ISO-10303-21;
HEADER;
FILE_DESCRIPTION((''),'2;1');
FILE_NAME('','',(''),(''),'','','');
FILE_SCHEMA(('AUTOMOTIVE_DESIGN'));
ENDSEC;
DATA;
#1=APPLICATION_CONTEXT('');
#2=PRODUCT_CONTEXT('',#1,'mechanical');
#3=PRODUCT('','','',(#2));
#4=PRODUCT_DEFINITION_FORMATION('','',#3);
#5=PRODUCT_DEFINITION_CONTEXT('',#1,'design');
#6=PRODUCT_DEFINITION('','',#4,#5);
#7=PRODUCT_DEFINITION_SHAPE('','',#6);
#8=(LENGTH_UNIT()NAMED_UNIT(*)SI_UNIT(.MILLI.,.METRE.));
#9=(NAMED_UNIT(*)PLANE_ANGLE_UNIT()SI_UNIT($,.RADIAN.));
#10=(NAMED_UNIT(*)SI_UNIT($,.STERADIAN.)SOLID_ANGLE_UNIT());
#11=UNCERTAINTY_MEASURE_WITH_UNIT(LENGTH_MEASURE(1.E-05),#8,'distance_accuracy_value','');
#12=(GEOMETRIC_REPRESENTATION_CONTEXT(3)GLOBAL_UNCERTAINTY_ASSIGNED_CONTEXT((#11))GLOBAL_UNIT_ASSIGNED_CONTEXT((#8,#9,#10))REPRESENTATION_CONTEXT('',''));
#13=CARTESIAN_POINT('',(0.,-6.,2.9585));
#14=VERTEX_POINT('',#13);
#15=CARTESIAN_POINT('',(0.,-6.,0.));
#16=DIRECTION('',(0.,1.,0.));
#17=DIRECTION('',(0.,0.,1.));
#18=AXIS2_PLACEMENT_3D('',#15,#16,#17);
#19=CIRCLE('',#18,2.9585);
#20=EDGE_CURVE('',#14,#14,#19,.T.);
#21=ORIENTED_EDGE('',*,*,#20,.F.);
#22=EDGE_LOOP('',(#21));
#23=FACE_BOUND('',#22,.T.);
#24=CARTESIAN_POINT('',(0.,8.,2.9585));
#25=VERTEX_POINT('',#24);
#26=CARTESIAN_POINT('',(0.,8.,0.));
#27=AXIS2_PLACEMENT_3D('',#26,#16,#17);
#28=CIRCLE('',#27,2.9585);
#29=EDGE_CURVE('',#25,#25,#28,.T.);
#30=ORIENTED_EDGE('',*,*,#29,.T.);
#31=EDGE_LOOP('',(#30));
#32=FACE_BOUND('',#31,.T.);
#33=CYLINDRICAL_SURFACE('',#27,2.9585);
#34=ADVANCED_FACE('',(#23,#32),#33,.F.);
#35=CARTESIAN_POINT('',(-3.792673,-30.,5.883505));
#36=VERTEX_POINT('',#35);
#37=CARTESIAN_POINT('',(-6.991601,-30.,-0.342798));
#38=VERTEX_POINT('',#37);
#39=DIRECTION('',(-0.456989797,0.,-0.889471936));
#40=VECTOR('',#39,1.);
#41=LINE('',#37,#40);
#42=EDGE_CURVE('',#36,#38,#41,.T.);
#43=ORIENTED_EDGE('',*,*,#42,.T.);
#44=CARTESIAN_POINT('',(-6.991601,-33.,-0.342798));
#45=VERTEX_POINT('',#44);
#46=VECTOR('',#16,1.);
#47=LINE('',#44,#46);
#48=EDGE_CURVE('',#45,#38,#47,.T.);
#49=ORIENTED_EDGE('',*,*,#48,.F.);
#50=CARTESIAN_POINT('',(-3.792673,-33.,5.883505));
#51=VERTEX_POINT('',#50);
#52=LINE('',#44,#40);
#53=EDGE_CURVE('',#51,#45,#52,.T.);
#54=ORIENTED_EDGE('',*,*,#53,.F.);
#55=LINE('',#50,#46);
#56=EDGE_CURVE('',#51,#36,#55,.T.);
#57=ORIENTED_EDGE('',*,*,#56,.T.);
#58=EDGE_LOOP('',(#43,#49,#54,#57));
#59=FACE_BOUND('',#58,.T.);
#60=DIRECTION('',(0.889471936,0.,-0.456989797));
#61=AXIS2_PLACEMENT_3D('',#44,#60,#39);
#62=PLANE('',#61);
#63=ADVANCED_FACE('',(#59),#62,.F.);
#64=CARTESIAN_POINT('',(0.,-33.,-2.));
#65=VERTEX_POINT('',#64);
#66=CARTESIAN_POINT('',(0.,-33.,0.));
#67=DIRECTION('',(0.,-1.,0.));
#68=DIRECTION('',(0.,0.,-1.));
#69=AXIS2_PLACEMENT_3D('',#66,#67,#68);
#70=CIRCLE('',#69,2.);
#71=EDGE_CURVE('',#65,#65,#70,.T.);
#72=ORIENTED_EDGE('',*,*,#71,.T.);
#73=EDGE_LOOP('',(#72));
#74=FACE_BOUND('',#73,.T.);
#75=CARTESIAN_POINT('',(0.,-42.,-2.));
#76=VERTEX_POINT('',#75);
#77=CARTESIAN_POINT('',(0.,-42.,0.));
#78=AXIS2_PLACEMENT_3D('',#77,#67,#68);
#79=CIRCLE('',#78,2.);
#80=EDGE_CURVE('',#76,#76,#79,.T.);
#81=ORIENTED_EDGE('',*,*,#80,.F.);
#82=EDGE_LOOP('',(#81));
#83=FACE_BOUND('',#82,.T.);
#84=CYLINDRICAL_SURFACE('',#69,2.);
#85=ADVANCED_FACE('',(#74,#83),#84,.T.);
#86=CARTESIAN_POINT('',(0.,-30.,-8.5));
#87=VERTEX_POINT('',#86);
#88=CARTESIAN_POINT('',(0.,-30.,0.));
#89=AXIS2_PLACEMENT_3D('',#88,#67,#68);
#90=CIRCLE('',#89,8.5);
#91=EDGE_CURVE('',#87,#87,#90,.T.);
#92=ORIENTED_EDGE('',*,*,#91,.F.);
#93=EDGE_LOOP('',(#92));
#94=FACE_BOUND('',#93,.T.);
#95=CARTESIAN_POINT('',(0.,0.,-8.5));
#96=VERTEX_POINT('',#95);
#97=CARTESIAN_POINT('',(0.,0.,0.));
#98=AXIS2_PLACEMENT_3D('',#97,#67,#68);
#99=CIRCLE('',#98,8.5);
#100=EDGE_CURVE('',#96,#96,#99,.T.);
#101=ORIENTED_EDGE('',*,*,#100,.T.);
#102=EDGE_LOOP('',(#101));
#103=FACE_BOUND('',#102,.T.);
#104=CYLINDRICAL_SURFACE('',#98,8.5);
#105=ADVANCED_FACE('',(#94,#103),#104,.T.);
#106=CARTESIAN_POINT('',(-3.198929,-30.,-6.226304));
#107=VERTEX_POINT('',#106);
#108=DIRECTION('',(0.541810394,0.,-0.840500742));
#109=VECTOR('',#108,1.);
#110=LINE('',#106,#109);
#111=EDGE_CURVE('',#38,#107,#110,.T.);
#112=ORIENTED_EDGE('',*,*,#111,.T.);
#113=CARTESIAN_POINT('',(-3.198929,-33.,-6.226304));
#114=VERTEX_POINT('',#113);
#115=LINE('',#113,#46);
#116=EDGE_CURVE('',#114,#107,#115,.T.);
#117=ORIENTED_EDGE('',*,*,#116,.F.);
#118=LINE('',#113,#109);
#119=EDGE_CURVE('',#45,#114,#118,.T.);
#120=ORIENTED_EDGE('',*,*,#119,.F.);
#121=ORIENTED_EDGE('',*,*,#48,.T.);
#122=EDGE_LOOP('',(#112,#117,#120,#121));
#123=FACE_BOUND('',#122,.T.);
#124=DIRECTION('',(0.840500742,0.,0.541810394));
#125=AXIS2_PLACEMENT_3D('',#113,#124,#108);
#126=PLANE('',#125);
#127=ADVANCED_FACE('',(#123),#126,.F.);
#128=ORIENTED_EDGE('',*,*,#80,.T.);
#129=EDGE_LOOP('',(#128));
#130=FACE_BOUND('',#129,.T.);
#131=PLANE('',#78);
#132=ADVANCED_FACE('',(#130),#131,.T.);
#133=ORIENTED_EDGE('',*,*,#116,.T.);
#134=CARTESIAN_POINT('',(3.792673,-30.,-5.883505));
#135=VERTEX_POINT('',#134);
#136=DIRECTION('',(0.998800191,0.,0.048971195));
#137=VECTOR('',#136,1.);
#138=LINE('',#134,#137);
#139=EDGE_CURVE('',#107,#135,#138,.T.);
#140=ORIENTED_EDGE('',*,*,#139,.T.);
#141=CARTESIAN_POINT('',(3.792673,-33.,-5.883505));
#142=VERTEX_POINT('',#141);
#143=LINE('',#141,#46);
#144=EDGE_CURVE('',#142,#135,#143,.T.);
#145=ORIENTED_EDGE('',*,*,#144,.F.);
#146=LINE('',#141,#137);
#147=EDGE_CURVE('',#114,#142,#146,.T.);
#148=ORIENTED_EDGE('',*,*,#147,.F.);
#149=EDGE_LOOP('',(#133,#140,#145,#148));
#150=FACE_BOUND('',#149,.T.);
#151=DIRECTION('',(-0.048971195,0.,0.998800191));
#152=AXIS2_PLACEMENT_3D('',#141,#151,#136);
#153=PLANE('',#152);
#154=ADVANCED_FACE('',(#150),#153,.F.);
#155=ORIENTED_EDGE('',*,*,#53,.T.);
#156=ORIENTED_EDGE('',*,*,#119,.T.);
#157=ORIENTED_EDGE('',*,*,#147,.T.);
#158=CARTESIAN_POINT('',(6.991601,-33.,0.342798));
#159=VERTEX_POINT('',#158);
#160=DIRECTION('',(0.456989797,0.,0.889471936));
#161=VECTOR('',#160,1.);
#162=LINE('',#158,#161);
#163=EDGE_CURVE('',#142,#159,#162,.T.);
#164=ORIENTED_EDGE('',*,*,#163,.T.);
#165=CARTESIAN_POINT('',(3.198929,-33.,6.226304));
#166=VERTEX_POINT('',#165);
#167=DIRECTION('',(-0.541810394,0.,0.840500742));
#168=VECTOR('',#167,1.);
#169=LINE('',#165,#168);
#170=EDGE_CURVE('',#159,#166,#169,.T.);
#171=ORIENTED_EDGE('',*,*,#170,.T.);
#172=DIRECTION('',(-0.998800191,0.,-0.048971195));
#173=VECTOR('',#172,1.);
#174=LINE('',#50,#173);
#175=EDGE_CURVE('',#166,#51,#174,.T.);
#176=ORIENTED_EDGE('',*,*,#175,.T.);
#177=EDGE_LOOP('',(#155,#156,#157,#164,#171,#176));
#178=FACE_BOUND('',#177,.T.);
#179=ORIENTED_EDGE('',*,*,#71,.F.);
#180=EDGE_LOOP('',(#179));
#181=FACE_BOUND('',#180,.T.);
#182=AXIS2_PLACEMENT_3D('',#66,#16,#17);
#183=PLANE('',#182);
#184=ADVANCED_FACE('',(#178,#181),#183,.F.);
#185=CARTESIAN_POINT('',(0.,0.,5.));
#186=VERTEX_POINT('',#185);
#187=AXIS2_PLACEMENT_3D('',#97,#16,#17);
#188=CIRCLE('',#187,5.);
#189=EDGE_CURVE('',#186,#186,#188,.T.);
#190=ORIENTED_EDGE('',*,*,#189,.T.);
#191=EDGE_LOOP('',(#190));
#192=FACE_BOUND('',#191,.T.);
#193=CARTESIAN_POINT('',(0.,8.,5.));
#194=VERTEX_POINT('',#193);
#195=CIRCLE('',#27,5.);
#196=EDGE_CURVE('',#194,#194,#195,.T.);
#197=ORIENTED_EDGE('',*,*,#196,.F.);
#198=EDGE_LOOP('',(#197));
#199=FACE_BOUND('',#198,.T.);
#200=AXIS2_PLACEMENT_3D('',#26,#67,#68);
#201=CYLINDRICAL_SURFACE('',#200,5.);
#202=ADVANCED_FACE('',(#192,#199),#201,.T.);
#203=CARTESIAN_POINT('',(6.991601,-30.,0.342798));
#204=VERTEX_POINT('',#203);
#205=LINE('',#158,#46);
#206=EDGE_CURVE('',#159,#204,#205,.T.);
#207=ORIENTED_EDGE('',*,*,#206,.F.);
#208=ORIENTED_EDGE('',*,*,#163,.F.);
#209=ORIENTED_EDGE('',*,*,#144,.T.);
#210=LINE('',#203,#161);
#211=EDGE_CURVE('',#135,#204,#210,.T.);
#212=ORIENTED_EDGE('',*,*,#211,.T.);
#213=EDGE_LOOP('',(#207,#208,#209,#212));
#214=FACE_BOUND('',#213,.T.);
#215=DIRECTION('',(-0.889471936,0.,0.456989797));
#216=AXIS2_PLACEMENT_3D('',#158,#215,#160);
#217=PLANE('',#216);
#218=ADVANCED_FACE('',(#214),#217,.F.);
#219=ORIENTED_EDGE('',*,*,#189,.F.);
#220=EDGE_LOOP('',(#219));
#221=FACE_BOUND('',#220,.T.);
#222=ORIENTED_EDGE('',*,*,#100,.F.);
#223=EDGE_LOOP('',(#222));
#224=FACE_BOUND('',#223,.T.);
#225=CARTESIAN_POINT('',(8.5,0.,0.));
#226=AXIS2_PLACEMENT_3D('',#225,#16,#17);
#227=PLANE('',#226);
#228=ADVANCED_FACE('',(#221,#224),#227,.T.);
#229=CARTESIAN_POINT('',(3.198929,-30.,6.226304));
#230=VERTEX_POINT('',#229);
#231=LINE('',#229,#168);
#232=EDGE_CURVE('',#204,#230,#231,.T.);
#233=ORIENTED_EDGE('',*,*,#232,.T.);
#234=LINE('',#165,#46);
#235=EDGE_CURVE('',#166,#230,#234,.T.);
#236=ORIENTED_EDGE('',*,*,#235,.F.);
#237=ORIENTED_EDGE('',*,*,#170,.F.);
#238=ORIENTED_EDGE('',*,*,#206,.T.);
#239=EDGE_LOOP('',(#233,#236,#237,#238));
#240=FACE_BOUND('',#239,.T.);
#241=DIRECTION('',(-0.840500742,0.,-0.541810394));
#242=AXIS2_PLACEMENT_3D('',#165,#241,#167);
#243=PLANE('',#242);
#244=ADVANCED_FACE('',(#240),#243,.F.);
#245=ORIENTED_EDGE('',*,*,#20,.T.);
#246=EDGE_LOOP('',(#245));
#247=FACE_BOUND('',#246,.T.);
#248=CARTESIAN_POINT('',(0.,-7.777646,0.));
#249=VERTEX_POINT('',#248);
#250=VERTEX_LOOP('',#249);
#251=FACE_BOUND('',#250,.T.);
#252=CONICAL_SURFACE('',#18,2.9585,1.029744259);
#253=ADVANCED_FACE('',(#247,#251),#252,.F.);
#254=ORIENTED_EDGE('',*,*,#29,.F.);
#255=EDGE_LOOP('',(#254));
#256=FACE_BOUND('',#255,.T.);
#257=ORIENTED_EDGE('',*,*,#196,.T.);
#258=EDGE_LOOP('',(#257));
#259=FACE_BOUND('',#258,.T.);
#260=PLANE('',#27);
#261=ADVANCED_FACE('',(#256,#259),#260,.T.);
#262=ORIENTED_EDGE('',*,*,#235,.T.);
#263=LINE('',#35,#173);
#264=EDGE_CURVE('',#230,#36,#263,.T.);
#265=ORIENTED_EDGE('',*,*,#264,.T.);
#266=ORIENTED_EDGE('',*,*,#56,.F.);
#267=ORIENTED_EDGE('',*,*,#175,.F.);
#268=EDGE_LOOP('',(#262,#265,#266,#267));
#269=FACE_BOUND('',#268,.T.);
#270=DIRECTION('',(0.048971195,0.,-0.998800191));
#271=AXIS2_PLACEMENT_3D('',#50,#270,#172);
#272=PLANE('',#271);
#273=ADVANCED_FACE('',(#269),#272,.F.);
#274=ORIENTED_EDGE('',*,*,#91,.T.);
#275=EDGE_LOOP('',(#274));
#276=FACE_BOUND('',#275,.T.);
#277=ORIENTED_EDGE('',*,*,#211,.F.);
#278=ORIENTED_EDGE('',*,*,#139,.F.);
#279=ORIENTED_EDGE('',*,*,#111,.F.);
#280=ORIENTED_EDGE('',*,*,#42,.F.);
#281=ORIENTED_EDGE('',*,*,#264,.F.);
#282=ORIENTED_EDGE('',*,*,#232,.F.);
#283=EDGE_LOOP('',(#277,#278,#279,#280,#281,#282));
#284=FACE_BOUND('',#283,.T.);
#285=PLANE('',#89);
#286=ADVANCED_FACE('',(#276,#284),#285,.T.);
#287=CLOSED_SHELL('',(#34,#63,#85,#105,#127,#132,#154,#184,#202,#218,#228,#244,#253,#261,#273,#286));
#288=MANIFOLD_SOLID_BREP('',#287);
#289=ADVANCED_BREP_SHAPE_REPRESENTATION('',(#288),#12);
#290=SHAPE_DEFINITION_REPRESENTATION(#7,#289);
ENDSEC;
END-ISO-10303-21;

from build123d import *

# Parameters (mm, degrees)
SKETCH1_W           = 8.5
SKETCH1_H           = 30
BOSS_EXTRUDE1_DEPTH = 3
SKETCH3_R           = 5
BOSS_EXTRUDE2_DEPTH = 8
SKETCH4_W           = 2
SKETCH4_H           = 9
HOLE1_D             = 5.917
HOLE1_DEPTH         = 14
HOLE1_TIP           = 1.777646141


with BuildPart() as part:
    # Sketch1 → Revolve1 (revolve)
    with BuildSketch(Plane.XY):
        with Locations((4.25, -15)):
            Rectangle(SKETCH1_W, SKETCH1_H)
    revolve(axis=Axis((0, 0, 0), (0, -1, 0)))

    # Sketch2 → Boss-Extrude1 (add)
    with BuildSketch(Plane.XZ.offset(30)):
        Polygon((-3.79267276, 5.883505191), (3.198928579, 6.226303554), (6.991601339, 0.342798363), (3.79267276, -5.883505191), (-3.198928579, -6.226303554), (-6.991601339, -0.342798363), align=None)
    extrude(amount=BOSS_EXTRUDE1_DEPTH)

    # Sketch3 → Boss-Extrude2 (add)
    with BuildSketch(Plane(origin=(0, 0, 0), x_dir=(-1, 0, 0), z_dir=(0, 1, 0))):
        Circle(SKETCH3_R)
    extrude(amount=BOSS_EXTRUDE2_DEPTH)

    # Sketch4 → Revolve2 (revolve)
    with BuildSketch(Plane.XY):
        with Locations((1, -37.5)):
            Rectangle(SKETCH4_W, SKETCH4_H)
    revolve(axis=Axis((0, -33, 0), (0, -1, 0)))

    # Hole1
    with Locations(Plane(origin=(0, 8, 0), x_dir=(1, 0, 0), z_dir=(0, 1, 0))):
        with Locations((0, 0)):
            Hole(HOLE1_D / 2, depth=HOLE1_DEPTH)
            with Locations((0, 0, -(HOLE1_DEPTH + HOLE1_TIP / 2))):  # 118° drill point
                Cone(0, HOLE1_D / 2, HOLE1_TIP, mode=Mode.SUBTRACT)


solid = part.part
